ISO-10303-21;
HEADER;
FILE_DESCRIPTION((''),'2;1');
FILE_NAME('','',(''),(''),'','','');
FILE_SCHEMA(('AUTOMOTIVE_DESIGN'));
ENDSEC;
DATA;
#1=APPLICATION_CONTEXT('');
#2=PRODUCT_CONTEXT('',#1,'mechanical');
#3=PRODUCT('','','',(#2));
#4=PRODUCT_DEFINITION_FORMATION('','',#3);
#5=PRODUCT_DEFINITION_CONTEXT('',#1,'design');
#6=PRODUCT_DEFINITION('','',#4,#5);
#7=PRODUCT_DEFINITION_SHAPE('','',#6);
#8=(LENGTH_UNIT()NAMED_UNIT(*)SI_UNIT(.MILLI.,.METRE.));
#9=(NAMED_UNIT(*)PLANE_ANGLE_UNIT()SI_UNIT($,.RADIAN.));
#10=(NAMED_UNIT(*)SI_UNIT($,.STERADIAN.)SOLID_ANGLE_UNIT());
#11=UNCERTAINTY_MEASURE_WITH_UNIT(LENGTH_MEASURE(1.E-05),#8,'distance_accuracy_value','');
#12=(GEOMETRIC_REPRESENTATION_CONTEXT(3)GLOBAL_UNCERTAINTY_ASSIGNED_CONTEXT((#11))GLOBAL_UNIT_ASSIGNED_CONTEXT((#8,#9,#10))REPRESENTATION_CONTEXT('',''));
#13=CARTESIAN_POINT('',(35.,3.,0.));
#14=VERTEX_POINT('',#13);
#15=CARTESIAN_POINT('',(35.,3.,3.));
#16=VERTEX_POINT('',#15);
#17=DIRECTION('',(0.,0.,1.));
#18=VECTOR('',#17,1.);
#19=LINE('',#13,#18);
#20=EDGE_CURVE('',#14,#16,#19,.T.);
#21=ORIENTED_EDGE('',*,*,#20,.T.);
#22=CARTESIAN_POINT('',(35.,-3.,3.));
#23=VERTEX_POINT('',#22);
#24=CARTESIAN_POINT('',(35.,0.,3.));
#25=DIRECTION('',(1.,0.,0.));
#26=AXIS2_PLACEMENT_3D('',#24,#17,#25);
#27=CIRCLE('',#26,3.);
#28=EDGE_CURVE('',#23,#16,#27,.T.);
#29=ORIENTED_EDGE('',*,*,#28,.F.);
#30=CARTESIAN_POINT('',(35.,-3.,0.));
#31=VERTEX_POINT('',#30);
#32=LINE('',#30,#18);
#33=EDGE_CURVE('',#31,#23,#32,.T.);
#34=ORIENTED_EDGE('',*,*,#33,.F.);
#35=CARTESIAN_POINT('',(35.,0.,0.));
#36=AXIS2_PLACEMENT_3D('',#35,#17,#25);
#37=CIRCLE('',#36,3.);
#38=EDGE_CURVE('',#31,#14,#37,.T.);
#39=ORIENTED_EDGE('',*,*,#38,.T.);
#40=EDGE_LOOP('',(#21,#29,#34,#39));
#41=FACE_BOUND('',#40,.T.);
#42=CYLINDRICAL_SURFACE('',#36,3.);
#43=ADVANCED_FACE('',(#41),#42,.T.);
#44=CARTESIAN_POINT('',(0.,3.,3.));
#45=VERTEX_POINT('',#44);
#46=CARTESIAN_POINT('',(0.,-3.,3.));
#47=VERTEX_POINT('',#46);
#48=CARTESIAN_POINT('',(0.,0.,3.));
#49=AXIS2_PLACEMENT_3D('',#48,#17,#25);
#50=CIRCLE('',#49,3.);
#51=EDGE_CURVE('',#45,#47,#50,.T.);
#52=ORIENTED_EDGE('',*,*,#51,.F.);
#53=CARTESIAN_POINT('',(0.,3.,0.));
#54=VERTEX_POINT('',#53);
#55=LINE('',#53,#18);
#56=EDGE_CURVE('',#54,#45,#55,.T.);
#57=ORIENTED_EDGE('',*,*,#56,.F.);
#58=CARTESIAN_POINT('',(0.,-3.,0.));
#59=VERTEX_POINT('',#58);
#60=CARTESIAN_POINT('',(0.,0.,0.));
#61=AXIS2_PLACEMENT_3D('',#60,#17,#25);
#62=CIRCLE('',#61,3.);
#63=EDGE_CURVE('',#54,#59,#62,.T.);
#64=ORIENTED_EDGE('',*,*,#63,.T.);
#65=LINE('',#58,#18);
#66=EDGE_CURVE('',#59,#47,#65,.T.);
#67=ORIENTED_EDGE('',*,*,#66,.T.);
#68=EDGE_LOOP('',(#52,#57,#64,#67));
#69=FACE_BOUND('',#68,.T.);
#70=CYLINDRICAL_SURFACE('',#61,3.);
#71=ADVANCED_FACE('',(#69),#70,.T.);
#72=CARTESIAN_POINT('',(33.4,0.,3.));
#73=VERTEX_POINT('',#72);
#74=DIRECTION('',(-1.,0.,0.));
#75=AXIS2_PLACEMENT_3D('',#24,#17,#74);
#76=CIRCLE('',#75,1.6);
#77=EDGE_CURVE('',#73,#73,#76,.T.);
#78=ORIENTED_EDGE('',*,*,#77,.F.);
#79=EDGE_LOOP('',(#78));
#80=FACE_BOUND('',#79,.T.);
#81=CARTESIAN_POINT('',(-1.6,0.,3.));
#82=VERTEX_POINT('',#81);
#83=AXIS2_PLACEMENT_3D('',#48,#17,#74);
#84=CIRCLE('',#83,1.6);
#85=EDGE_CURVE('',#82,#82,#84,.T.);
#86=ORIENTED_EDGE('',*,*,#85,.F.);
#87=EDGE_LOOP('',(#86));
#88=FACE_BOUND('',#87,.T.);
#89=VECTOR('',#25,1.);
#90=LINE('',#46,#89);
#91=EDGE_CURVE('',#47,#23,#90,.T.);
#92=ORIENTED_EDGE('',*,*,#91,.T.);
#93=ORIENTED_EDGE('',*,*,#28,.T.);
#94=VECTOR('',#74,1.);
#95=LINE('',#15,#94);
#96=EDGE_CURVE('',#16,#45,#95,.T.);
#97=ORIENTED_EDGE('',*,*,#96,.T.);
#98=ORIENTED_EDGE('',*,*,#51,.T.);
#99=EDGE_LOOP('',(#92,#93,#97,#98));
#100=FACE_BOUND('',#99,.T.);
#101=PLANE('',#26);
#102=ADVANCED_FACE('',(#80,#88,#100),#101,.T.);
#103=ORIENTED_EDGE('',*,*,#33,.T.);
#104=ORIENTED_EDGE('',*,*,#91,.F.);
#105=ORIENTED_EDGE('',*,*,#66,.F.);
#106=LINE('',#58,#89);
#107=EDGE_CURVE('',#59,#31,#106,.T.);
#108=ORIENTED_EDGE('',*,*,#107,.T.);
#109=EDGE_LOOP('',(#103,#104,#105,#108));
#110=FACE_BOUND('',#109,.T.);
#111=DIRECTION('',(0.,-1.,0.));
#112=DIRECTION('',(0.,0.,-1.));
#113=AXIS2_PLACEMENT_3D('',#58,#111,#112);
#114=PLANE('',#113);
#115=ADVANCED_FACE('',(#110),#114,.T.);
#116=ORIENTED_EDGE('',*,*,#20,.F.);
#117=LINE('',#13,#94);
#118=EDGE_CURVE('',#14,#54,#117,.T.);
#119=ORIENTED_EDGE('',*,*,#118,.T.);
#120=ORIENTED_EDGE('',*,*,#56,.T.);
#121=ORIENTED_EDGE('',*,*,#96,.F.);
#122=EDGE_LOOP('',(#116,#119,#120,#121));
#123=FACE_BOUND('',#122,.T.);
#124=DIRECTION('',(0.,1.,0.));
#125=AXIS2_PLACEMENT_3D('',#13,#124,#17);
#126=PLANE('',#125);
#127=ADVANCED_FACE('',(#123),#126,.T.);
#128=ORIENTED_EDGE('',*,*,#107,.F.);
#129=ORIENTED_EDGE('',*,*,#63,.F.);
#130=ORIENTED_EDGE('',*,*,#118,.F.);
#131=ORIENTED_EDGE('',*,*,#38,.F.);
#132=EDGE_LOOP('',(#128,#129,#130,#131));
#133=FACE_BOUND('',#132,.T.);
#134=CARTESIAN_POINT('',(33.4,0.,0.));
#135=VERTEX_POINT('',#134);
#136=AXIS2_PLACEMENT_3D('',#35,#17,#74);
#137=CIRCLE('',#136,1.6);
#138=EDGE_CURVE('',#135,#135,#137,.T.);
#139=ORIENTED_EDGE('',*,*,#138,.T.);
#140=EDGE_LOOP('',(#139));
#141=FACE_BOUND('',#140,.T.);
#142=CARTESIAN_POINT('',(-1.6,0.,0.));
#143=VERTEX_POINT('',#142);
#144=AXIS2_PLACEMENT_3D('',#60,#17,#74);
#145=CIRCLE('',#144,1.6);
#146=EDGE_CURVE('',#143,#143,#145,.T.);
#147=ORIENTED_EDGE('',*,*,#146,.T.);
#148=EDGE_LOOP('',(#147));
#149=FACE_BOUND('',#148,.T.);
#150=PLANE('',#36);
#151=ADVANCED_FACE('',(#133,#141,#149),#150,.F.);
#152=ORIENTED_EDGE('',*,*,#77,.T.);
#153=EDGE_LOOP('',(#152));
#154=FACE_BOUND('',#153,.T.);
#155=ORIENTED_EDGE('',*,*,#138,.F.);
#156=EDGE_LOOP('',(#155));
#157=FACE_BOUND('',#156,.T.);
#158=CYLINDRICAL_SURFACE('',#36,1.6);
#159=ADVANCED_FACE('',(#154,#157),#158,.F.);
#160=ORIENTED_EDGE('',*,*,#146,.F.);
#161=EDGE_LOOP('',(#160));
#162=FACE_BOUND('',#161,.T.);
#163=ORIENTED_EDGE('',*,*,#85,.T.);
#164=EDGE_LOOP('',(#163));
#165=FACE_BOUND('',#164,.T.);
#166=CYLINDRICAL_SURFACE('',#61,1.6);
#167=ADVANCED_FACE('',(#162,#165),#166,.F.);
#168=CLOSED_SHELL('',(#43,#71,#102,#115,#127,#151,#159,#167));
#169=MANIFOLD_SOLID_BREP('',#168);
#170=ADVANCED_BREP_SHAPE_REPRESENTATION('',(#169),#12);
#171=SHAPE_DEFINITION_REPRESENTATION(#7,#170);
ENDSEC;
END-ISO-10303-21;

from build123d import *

# Parameters (mm, degrees)
ESQUISSE1_R        = 1.6
BOSS_EXTRU_1_DEPTH = 3


with BuildPart() as part:
    # Esquisse1 → Boss.-Extru.1 (new body)
    with BuildSketch(Plane.XY.offset(3)):
        with BuildLine():
            Line((35, 3), (0, 3))
            ThreePointArc((0, 3), (-3, 0), (0, -3))
            Line((0, -3), (35, -3))
            ThreePointArc((35, -3), (38, 0), (35, 3))
        make_face()
        with Locations(Location((35, 0, 0), (0, 0, 180))):
            Circle(ESQUISSE1_R, mode=Mode.SUBTRACT)
        with Locations(Location((0, 0, 0), (0, 0, 180))):
            Circle(ESQUISSE1_R, mode=Mode.SUBTRACT)
    extrude(amount=-BOSS_EXTRU_1_DEPTH)


solid = part.part
